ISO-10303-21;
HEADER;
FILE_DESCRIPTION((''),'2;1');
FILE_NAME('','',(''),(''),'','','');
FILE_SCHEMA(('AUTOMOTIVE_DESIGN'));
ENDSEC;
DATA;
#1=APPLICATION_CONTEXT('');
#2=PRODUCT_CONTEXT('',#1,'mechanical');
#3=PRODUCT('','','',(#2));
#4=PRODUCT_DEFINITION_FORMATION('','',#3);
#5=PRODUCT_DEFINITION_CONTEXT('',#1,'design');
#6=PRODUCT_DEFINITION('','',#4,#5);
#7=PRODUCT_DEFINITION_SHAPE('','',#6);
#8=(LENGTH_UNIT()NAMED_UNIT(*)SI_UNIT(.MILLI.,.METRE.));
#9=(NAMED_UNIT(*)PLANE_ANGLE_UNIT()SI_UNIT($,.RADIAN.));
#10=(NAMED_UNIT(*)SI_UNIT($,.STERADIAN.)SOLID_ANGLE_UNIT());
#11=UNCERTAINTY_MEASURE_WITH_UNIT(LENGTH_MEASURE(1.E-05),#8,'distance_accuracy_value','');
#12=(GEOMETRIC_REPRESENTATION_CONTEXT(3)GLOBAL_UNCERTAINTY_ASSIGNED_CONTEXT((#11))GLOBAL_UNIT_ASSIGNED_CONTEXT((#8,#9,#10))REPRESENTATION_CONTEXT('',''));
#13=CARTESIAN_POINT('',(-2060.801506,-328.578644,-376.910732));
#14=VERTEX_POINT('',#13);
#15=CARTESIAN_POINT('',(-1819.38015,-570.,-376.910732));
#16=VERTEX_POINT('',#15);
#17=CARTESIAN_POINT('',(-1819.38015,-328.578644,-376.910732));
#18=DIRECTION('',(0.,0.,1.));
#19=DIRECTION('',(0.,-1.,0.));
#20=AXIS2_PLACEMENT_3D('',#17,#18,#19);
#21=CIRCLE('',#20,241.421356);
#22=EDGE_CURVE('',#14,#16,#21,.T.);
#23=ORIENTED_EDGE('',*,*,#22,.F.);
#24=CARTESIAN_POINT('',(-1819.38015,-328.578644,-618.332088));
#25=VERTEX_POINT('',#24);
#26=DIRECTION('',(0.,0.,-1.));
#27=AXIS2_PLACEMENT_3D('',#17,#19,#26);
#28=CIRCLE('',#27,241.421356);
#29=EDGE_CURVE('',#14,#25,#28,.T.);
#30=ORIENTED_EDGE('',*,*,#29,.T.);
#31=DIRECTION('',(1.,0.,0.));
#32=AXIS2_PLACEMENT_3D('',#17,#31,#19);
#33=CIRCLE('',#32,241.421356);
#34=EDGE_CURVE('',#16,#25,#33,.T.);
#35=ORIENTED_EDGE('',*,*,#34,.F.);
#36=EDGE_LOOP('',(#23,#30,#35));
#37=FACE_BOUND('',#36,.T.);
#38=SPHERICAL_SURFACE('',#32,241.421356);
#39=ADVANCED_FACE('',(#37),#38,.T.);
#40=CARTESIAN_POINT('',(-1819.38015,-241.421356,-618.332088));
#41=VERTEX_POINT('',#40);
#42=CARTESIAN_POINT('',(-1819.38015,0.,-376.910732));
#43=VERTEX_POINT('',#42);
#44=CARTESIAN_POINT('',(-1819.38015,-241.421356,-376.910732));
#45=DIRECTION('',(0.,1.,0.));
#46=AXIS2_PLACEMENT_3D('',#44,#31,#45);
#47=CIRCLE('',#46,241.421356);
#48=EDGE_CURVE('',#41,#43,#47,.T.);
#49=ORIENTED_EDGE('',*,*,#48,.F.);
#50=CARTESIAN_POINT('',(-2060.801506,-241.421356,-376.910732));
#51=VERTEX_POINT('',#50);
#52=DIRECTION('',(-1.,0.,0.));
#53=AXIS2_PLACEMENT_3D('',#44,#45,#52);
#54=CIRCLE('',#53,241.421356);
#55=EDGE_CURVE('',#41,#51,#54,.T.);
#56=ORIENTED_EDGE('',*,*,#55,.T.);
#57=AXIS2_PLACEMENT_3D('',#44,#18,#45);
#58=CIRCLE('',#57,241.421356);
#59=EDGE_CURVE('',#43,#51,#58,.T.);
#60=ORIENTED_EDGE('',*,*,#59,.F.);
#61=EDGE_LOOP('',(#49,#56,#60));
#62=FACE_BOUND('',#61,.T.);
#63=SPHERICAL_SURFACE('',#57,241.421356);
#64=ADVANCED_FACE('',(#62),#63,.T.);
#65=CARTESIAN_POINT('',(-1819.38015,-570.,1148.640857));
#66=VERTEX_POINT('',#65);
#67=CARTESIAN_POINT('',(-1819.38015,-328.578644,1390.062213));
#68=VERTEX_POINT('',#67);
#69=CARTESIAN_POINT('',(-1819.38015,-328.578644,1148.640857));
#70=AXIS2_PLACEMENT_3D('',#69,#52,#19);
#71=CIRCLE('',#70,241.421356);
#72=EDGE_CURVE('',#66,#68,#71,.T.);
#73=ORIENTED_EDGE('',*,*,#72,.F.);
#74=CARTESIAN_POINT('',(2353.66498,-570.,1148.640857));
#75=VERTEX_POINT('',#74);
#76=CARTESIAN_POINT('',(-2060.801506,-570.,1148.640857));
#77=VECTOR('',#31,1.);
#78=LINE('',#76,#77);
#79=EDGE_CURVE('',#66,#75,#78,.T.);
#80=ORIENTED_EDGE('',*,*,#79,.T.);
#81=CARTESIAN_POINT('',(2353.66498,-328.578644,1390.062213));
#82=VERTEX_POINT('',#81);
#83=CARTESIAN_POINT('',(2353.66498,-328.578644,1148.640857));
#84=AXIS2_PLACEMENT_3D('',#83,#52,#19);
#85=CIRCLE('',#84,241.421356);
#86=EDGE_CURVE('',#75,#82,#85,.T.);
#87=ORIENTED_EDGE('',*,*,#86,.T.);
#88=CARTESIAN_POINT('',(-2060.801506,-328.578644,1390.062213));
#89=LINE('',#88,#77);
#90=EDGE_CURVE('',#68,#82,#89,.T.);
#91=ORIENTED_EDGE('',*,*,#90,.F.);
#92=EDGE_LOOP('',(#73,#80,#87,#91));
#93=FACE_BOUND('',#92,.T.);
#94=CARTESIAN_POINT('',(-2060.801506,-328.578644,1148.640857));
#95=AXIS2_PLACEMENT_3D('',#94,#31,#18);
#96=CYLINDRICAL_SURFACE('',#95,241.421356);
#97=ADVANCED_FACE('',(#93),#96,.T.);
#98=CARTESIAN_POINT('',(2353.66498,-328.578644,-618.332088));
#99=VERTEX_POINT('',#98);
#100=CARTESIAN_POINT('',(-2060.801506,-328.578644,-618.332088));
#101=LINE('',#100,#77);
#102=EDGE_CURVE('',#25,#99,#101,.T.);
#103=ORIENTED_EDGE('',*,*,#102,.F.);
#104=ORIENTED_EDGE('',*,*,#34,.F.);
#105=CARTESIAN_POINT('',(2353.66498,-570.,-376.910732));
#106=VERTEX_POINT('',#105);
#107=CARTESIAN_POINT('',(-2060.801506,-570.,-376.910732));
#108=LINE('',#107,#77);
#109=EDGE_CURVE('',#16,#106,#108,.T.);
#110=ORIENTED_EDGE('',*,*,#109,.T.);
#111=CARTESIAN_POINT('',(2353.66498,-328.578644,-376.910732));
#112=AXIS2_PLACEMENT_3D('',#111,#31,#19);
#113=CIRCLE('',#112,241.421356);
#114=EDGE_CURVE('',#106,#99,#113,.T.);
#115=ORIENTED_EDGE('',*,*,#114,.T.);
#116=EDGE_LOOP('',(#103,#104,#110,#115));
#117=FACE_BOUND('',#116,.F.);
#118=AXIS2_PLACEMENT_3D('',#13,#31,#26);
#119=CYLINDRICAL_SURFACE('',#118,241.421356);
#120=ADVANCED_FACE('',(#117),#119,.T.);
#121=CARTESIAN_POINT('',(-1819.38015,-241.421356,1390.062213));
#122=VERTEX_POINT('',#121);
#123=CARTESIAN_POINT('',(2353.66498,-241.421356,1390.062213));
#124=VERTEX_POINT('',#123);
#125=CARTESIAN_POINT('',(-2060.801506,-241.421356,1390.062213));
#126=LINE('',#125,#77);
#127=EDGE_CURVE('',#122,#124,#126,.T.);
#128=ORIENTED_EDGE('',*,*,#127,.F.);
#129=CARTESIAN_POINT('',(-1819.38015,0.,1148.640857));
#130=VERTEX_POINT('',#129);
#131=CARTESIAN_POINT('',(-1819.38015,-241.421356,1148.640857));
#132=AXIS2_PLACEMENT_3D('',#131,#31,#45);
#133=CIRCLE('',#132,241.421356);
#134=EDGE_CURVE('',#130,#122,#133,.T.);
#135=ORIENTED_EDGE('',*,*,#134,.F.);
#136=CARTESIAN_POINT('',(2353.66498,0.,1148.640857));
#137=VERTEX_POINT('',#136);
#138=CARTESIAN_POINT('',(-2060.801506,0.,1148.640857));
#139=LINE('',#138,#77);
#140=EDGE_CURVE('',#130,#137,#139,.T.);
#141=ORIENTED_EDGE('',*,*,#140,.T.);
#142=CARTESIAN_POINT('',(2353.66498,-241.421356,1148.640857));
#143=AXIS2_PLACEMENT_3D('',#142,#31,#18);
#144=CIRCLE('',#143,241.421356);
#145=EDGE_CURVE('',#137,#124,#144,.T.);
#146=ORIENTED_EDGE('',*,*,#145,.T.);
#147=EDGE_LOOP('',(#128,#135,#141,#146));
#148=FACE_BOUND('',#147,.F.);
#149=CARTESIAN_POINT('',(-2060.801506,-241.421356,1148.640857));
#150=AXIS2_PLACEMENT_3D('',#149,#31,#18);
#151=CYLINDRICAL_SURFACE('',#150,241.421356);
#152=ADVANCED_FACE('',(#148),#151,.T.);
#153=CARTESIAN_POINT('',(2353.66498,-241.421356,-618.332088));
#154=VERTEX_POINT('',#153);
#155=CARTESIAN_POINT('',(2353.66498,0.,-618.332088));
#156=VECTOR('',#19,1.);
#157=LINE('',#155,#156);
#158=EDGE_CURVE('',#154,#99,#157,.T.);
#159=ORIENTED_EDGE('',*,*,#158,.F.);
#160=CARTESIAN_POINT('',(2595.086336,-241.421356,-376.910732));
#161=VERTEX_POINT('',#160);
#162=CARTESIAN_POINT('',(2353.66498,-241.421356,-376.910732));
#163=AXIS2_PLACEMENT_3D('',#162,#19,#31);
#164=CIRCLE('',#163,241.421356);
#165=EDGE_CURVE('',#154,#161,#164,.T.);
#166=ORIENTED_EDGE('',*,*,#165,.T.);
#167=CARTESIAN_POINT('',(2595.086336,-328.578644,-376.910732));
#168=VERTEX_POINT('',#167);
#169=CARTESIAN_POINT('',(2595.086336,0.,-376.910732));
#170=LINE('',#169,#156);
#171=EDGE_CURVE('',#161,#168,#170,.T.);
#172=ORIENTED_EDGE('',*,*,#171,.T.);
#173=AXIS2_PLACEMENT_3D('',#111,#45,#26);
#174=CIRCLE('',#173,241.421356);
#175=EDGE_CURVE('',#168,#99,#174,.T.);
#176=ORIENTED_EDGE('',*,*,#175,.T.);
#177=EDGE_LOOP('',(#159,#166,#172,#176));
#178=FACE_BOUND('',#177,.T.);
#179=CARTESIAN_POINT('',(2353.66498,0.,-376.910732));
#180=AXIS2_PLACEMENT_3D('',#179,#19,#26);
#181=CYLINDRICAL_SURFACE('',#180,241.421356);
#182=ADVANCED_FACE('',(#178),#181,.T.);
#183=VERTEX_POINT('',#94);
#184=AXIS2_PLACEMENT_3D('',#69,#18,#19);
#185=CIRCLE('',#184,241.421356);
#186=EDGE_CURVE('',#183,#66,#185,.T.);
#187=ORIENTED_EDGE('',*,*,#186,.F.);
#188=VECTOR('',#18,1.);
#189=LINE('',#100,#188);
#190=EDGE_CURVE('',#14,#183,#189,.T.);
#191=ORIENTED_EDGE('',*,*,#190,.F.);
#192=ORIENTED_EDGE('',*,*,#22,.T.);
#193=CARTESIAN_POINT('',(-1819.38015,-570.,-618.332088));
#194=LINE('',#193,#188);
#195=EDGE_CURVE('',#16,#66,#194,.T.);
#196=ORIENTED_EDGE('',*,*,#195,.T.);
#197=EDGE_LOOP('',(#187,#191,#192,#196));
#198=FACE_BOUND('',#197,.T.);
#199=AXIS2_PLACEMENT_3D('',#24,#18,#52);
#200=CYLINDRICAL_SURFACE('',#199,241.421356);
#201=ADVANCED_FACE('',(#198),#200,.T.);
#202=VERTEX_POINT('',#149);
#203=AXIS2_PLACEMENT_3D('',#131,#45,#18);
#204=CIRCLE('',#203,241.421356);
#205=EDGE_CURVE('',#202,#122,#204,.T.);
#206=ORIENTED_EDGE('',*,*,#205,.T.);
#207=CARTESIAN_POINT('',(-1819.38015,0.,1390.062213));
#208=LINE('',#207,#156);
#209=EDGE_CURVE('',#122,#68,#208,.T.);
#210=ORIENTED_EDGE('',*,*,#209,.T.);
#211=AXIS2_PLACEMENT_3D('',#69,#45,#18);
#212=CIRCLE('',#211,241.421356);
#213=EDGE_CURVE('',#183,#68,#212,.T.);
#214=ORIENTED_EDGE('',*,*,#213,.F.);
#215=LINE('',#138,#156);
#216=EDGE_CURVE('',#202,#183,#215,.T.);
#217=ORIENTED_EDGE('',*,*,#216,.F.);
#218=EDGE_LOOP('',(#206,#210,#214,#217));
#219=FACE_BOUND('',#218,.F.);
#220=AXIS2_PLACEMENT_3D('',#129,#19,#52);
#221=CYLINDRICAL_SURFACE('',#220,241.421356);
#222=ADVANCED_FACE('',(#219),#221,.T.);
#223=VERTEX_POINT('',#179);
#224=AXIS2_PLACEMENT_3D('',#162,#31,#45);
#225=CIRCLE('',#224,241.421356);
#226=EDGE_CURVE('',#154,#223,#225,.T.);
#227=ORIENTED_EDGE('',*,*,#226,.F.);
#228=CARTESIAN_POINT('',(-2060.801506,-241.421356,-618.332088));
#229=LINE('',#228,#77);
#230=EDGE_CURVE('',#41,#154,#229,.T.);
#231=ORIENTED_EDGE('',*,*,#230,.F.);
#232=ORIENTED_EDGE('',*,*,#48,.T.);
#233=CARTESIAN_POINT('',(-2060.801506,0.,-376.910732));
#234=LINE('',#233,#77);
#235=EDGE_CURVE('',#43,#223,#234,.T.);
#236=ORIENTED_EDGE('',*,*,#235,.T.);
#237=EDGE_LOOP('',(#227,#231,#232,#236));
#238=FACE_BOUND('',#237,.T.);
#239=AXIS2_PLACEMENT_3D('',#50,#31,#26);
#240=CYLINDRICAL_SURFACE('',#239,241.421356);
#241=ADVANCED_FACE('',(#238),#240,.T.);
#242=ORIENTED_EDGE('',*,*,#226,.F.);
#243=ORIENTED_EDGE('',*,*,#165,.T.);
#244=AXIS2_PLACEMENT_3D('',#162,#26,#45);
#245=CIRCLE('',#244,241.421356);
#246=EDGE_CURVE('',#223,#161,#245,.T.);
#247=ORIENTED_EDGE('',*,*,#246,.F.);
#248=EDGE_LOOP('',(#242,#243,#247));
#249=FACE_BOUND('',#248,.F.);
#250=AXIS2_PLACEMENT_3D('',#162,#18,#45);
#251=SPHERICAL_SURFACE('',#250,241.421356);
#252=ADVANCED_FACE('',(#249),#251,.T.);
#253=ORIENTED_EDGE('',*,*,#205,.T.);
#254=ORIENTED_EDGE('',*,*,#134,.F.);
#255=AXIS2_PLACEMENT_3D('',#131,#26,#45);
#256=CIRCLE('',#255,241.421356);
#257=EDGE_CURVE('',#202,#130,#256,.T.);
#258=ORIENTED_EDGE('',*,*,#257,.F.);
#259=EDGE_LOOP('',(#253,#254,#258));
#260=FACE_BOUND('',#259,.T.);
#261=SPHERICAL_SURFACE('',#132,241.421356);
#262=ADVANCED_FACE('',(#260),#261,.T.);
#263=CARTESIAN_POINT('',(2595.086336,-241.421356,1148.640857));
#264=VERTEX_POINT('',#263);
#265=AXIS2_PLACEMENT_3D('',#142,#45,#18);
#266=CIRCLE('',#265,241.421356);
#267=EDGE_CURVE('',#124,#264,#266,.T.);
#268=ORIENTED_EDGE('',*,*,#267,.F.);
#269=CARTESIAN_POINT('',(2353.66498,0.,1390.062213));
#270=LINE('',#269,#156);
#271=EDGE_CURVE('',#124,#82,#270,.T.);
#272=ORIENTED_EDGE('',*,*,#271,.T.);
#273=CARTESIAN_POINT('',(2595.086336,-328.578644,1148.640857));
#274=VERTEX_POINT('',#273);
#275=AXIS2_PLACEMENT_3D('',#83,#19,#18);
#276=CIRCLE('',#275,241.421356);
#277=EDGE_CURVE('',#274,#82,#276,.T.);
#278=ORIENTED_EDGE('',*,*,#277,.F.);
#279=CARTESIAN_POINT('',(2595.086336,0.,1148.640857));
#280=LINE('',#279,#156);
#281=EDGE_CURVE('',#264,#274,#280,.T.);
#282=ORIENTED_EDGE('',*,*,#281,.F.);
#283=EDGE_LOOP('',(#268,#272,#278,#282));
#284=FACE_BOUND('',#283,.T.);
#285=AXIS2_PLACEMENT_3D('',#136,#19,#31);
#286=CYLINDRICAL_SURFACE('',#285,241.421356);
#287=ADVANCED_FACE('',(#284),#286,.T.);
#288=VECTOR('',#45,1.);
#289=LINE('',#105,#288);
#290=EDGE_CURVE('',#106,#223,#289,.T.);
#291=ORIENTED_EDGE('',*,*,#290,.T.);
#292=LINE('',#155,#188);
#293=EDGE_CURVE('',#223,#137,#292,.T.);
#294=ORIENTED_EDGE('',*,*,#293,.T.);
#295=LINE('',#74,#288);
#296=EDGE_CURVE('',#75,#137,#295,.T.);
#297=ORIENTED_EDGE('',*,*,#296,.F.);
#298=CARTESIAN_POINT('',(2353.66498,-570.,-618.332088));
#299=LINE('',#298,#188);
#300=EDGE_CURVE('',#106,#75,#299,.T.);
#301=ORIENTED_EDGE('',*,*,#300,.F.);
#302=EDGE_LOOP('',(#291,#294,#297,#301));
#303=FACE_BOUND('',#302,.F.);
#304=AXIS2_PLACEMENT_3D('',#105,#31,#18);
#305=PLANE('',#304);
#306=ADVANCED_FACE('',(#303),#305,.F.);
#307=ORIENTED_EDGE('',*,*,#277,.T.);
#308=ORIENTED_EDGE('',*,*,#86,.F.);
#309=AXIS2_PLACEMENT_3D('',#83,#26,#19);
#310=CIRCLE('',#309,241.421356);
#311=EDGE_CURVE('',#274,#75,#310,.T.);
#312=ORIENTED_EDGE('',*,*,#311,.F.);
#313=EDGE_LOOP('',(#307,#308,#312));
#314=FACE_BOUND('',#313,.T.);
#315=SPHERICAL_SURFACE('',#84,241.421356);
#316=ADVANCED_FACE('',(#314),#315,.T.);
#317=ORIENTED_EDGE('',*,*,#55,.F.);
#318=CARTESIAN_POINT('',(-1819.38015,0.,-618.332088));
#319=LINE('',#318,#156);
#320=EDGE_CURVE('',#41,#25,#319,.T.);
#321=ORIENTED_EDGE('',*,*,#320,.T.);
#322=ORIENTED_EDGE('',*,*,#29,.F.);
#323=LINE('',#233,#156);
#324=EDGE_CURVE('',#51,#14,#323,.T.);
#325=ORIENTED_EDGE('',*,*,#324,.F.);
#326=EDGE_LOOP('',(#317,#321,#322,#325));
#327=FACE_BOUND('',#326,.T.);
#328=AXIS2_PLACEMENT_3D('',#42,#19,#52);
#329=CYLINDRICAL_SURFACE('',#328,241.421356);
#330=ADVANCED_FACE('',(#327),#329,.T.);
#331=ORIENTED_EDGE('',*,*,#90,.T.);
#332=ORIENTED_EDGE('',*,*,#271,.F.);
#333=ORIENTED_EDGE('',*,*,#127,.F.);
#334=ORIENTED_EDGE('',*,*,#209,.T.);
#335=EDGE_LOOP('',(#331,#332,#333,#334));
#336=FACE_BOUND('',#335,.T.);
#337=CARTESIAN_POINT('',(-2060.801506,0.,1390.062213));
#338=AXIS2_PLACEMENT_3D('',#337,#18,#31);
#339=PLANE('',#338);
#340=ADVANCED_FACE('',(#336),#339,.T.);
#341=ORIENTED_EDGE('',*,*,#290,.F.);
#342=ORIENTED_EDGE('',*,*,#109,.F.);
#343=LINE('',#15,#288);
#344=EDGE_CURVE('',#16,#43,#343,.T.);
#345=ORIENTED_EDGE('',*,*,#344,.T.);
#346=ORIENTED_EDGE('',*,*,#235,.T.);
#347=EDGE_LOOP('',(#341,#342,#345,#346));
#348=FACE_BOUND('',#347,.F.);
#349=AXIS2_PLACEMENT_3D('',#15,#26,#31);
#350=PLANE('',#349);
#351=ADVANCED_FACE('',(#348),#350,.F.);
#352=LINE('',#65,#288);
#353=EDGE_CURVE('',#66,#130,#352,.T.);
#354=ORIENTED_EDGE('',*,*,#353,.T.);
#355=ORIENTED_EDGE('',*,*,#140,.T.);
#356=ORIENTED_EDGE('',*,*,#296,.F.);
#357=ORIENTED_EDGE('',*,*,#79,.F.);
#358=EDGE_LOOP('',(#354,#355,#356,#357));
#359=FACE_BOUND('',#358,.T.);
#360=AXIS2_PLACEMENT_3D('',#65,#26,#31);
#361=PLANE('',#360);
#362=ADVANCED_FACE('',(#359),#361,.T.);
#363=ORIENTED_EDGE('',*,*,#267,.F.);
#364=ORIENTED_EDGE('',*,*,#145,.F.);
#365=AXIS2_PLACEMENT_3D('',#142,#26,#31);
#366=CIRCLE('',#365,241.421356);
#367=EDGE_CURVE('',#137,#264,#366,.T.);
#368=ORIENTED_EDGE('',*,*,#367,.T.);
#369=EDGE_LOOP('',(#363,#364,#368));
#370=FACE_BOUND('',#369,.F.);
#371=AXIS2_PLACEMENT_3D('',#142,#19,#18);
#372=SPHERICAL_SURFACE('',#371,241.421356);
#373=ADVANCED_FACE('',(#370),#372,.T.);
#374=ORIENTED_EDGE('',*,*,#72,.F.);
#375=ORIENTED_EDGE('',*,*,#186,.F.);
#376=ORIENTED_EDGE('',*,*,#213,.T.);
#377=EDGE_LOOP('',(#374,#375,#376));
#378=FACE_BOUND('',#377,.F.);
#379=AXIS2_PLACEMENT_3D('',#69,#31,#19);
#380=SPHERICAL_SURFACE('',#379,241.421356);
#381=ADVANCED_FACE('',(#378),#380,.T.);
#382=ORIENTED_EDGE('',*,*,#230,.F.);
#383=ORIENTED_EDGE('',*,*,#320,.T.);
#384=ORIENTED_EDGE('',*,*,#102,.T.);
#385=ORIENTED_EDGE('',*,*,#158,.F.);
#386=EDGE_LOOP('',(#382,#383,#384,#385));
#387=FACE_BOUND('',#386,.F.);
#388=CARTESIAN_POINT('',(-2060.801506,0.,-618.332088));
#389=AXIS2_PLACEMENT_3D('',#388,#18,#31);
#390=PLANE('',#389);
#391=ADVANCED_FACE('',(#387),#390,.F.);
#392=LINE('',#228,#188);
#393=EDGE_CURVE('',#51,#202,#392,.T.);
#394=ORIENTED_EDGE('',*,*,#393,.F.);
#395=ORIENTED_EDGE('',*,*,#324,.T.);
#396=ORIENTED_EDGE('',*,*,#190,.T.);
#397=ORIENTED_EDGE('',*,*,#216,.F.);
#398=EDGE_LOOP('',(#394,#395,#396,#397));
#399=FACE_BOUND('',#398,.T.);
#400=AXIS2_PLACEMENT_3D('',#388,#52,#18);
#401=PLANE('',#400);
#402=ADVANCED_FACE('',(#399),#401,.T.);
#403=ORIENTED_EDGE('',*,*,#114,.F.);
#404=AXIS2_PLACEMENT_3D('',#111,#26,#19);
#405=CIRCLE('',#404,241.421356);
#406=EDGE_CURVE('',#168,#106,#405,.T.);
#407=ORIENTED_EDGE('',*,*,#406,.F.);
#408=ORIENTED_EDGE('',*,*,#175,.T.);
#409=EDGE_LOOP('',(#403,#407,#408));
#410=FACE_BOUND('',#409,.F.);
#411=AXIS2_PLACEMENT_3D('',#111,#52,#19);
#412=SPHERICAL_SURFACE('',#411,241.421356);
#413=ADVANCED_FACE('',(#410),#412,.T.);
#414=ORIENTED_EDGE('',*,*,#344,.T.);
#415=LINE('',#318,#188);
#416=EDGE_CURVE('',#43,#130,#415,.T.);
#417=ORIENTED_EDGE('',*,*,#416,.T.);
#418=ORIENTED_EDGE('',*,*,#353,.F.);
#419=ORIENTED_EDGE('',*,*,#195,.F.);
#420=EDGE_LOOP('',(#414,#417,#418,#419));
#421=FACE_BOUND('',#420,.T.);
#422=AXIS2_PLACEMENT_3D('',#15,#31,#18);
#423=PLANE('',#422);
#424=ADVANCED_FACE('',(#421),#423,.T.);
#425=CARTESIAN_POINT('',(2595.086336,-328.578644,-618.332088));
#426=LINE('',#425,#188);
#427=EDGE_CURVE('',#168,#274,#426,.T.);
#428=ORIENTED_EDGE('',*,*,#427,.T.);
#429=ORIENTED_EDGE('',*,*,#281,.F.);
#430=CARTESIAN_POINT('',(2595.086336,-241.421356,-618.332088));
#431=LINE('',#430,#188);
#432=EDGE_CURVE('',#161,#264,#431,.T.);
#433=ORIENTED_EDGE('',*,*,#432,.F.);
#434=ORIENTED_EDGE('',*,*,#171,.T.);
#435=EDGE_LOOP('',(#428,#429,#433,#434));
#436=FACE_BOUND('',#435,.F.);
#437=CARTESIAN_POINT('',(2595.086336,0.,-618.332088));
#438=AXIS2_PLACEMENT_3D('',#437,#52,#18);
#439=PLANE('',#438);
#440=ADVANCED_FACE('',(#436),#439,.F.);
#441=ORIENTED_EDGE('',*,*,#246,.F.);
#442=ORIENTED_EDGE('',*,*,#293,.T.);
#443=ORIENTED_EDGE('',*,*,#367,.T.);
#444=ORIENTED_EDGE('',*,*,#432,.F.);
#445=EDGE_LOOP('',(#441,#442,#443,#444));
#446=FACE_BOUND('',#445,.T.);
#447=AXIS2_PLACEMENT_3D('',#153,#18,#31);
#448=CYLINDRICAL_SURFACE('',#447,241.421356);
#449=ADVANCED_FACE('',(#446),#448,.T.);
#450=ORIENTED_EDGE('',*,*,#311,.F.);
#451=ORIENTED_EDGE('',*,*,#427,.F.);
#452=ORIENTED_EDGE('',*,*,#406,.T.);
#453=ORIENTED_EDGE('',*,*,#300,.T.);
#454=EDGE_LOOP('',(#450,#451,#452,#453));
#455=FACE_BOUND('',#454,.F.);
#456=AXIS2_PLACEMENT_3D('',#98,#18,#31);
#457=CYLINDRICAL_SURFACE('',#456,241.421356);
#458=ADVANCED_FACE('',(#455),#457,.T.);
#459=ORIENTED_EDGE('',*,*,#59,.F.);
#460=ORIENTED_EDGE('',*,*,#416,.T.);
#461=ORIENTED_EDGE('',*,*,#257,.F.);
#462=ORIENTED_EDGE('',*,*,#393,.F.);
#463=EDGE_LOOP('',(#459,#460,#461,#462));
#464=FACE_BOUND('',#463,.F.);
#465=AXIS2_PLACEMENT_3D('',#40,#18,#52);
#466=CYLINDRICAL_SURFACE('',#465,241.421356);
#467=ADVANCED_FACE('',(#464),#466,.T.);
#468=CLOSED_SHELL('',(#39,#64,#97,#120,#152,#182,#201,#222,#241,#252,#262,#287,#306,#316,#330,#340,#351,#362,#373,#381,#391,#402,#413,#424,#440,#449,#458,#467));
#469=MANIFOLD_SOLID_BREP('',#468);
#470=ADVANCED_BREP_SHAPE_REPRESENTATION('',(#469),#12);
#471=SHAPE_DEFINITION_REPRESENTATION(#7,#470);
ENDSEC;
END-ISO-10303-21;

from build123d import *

# Parameters (mm, degrees)
F0_W     = 4655.8878421783
F0_H     = 2008.3943009377
F1_DEPTH = 570
F2_R     = 241.4213562373
F3_W     = 4173.0451297037
F3_H     = 1525.551588463
F4_DEPTH = 1630


with BuildPart() as f1:
    # F0 (on Front) → F1 (new body)
    with BuildSketch(Plane.XZ):
        with Locations((267.1424150467, 385.8650624752)):
            Rectangle(F0_W, F0_H)
    extrude(amount=F1_DEPTH)

    # F2
    f2_edges = [f1.edges().sort_by_distance(p)[0] for p in [
        (267.142415, -570, 1390.062213),
        (267.142415, -570, -618.332088),
        (-2060.801506, -570, 385.865062),
        (2595.086336, -570, 385.865062),
        (2595.086336, -285, 1390.062213),
        (267.142415, 0, 1390.062213),
        (-2060.801506, 0, 385.865062),
        (2595.086336, 0, 385.865062),
        (267.142415, 0, -618.332088),
        (2595.086336, -285, -618.332088),
        (-2060.801506, -285, 1390.062213),
        (-2060.801506, -285, -618.332088),
    ]]
    fillet(f2_edges, radius=F2_R)

    # F3 (on face) → F4 (cut)
    with BuildSketch(Plane.XZ.offset(570)):
        with Locations((267.1424150467, 385.8650624752)):
            Rectangle(F3_W, F3_H)
    extrude(amount=-F4_DEPTH, mode=Mode.SUBTRACT)


solid = f1.part
